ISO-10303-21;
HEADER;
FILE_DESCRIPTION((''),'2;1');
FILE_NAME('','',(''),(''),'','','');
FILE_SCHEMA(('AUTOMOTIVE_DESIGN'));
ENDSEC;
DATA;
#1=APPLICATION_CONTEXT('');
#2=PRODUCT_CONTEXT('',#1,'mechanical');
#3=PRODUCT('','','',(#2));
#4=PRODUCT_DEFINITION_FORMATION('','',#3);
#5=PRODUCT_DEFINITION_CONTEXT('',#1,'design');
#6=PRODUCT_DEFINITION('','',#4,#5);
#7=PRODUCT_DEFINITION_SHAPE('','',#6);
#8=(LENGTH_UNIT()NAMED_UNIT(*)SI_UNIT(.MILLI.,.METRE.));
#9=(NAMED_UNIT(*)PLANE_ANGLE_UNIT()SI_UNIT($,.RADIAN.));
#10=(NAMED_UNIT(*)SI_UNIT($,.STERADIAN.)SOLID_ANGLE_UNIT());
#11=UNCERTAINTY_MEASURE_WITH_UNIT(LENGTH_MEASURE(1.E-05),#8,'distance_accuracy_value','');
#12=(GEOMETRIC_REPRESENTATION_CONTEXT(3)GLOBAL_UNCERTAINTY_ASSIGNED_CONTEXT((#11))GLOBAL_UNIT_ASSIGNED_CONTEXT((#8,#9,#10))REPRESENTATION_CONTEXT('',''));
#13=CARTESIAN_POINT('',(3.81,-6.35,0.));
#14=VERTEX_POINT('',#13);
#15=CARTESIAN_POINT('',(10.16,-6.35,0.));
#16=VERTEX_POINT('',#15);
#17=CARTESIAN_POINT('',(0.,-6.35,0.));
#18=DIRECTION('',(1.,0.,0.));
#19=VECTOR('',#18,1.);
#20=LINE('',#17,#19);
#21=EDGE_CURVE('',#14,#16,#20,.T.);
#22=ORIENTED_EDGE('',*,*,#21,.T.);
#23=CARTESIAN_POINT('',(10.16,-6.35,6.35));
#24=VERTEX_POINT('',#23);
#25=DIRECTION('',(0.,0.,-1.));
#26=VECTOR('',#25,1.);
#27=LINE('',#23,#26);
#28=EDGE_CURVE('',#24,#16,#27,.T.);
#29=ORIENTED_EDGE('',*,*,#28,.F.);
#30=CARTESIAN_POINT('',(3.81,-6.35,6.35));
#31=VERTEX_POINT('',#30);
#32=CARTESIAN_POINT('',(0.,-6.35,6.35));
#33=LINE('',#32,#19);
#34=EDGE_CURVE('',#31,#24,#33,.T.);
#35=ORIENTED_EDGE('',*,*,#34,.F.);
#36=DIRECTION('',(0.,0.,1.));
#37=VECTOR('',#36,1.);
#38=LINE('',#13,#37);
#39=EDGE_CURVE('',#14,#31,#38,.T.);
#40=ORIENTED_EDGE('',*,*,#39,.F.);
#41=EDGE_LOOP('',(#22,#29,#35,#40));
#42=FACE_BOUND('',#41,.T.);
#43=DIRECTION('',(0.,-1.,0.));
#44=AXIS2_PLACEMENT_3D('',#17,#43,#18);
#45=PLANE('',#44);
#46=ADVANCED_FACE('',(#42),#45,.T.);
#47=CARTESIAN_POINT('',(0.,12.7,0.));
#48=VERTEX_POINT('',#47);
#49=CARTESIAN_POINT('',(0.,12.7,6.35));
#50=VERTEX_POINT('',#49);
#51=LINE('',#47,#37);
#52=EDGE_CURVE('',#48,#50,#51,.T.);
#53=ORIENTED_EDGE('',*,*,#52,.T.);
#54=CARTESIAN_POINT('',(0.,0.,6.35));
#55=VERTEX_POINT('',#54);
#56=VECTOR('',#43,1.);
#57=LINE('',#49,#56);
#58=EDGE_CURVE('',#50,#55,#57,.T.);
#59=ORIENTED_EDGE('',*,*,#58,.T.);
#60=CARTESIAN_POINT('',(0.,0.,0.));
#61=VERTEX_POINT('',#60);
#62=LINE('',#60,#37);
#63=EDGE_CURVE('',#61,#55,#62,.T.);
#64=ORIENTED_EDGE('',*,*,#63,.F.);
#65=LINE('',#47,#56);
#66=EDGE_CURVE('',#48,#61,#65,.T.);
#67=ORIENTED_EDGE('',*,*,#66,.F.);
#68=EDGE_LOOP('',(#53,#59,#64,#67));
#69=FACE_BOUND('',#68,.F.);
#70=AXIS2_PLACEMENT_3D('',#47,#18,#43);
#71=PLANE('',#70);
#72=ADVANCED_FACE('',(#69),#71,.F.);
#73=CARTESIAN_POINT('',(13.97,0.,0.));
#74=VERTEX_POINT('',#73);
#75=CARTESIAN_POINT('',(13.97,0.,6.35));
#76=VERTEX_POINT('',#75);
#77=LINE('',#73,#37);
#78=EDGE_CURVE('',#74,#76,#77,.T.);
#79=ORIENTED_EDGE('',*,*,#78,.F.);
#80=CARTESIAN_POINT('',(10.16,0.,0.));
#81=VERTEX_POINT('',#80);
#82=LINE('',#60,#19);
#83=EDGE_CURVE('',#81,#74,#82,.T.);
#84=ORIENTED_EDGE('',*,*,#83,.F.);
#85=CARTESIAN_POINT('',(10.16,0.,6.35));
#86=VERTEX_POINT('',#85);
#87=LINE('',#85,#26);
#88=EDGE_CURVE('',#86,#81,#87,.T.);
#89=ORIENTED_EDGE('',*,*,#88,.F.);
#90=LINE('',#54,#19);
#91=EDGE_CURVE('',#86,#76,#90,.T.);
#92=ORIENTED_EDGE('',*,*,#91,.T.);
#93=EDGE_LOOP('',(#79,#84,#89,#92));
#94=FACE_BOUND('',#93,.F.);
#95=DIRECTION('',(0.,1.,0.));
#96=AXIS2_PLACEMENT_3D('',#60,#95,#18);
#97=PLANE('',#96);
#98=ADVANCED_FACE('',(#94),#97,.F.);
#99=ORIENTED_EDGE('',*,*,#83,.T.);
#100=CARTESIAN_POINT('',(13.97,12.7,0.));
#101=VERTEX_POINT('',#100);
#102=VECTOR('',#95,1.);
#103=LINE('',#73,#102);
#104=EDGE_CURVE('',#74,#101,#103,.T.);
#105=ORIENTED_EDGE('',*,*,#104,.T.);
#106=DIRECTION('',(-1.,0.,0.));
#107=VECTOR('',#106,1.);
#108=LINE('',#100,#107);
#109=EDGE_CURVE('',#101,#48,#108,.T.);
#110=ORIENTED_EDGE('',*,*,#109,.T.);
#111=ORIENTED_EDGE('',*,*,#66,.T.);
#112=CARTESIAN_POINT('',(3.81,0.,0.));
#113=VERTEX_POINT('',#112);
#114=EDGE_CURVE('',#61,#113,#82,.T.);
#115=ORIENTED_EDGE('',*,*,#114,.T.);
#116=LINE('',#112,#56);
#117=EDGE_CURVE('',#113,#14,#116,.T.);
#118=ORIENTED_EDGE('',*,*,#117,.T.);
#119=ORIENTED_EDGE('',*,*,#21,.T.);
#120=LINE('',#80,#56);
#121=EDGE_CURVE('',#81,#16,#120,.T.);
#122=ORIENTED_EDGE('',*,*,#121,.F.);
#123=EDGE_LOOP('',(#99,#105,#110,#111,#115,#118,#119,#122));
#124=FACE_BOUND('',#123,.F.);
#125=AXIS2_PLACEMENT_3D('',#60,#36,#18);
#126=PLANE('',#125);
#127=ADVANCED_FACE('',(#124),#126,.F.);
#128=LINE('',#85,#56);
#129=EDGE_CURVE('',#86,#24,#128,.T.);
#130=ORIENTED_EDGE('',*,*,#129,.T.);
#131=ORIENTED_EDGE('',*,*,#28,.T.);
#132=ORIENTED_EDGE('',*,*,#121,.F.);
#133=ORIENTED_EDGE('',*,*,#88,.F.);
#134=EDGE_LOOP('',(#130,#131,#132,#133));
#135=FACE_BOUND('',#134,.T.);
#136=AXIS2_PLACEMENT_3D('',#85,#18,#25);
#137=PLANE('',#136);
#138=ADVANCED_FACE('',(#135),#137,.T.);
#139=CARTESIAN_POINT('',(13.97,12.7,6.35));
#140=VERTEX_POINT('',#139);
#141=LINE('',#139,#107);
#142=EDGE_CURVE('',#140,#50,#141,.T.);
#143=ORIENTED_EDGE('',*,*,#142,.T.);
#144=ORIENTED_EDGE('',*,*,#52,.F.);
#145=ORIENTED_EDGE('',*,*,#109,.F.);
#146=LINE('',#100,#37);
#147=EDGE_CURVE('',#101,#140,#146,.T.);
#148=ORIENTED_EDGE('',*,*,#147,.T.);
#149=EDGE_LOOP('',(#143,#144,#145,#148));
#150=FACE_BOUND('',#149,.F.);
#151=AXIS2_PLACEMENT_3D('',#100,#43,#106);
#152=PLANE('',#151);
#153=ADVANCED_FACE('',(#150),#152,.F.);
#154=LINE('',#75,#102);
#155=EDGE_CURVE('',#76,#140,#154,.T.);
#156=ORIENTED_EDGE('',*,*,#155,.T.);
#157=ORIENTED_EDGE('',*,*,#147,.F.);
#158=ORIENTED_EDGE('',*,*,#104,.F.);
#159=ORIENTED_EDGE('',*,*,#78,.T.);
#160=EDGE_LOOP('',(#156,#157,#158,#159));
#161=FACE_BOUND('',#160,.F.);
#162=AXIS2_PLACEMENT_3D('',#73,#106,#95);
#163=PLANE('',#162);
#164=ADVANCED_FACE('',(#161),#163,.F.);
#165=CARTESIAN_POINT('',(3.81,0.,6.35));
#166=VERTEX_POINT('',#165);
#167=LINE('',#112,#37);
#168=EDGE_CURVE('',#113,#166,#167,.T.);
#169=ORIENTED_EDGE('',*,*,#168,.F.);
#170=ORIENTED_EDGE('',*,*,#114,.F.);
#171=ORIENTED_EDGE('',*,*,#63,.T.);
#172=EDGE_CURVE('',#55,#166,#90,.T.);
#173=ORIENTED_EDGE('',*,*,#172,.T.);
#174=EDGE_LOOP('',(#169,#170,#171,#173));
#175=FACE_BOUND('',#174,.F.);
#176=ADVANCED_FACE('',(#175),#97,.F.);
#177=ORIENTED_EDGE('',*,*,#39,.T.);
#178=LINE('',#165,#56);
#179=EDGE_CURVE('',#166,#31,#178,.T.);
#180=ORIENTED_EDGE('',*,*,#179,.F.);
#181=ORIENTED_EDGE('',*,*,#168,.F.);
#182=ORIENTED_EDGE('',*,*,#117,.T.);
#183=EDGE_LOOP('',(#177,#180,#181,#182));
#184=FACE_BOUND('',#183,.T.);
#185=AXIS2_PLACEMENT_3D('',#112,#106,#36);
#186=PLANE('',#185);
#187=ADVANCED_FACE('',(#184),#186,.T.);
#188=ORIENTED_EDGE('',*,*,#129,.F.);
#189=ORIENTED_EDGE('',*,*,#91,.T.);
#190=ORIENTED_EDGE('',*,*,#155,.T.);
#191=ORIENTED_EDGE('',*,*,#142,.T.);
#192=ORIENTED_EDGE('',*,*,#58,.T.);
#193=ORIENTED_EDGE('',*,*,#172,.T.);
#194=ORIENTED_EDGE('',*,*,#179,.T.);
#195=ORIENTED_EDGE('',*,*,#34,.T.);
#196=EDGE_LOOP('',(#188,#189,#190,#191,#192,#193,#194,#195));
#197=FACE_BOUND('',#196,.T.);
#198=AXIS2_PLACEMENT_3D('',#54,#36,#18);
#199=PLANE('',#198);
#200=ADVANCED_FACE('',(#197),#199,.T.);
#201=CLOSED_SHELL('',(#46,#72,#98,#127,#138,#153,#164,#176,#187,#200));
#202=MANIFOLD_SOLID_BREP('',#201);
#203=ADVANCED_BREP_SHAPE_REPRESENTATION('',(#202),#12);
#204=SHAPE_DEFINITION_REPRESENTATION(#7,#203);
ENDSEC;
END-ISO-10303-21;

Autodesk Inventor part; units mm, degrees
ref_plane "YZ Plane" through (0, 0, 0) normal (1, 0, 0) x (0, 1, 0)
ref_plane "XZ Plane" through (0, 0, 0) normal (0, 1, 0) x (-1, 0, 0)
ref_plane "XY Plane" through (0, 0, 0) normal (0, 0, 1) x (1, 0, 0)
sketch "Sketch1" plane through (0, 0, 0) normal (0, 0, 1) x (1, 0, 0)
  line L0 (0, 0) -> (13.97, 0)
  line L1 (13.97, 0) -> (13.97, 12.7)
  line L2 (13.97, 12.7) -> (0, 12.7)
  line L3 (0, 12.7) -> (0, 0)
  dimension "d0" = 13.97
  dimension "d1" = 12.7
extrude "Extrusion1" add sketch "Sketch1" along normal blind 6.35
sketch "Sketch2" plane through (0, 0, 0) normal (0, -1, 0) x (1, 0, 0)
  line L0 (0, 6.35) -> (13.97, 6.35) projected
  line L1 (0, 0) -> (13.97, 0) projected
  line L2 (3.81, 6.35) -> (10.16, 6.35)
  line L3 (10.16, 6.35) -> (10.16, 0)
  line L4 (10.16, 0) -> (3.81, 0)
  line L5 (3.81, 0) -> (3.81, 6.35)
  line L6 (0, 0) -> (0, 6.35) projected
  dimension "d4" = 6.35
  dimension "d5" = 3.81
extrude "Extrusion2" add sketch "Sketch2" along normal blind 6.35 contours L0 L3 L1 L5
properties part number "switchholder"
